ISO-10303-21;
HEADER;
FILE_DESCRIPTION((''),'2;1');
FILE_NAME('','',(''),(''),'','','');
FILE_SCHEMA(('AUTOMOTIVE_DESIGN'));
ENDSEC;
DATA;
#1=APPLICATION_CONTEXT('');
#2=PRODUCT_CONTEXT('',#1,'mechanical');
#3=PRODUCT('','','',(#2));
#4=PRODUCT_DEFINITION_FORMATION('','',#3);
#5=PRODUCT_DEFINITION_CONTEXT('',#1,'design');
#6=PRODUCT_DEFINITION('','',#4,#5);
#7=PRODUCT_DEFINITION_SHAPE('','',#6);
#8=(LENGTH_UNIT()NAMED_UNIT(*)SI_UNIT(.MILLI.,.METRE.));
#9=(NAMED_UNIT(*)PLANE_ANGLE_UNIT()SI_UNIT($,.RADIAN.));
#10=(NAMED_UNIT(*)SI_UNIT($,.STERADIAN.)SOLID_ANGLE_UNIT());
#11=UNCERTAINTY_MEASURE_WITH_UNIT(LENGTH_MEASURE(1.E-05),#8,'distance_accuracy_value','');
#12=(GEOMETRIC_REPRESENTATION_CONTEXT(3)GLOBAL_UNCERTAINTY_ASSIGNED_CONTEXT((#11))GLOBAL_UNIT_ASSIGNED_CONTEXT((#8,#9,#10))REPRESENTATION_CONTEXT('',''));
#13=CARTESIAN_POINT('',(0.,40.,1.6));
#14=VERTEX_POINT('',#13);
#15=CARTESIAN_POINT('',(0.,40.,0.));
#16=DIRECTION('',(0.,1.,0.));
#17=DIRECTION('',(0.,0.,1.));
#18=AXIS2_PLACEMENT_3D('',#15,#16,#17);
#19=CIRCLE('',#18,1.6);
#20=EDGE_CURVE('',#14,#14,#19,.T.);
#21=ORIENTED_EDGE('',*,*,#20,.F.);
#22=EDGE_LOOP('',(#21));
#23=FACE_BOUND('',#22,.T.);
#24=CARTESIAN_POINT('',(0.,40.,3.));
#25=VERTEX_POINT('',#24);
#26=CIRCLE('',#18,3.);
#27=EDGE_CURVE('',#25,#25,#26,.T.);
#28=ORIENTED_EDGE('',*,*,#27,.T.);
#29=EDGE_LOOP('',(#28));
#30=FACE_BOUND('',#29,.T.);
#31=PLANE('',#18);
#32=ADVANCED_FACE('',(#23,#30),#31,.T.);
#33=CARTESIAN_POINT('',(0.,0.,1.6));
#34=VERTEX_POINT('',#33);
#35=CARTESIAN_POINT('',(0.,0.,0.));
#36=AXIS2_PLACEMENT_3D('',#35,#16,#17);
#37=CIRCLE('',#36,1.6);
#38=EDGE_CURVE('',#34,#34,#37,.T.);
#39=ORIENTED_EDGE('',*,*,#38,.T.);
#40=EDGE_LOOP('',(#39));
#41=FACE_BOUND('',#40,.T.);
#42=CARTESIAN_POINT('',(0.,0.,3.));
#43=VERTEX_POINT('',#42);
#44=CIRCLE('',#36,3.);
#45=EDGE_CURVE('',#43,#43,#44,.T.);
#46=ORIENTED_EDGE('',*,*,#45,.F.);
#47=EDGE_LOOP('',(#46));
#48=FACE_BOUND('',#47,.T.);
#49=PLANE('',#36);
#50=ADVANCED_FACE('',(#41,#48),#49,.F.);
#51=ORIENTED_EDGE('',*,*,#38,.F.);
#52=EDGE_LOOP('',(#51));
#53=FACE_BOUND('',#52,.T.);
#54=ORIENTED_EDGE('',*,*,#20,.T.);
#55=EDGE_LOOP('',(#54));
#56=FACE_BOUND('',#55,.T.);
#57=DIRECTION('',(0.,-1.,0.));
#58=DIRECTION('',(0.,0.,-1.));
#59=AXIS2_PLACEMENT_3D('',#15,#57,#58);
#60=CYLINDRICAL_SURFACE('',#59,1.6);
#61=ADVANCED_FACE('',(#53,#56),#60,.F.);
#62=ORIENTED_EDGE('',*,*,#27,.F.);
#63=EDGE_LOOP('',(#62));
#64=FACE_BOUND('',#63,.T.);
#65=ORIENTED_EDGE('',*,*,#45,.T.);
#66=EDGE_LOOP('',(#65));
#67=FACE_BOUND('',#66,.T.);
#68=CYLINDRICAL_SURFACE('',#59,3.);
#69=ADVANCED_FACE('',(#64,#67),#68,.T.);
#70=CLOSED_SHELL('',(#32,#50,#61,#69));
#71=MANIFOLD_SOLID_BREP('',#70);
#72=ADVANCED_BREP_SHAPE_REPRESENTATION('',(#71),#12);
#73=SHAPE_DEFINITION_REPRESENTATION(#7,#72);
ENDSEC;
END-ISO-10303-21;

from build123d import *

# Parameters (mm, degrees)
SK_1_R       = 3
SK_1_R_2     = 1.6
SPACER_DEPTH = 40


with BuildPart() as part:
    # SK_1 → Spacer (new body)
    with BuildSketch(Plane(origin=(0, 0, 0), x_dir=(1, 0, 0), z_dir=(0, 1, 0))):
        with Locations(Location((0, 0, 0), (0, 0, 270))):
            Circle(SK_1_R)
        with Locations(Location((0, 0, 0), (0, 0, 270))):
            Circle(SK_1_R_2, mode=Mode.SUBTRACT)
    extrude(amount=SPACER_DEPTH)


solid = part.part
